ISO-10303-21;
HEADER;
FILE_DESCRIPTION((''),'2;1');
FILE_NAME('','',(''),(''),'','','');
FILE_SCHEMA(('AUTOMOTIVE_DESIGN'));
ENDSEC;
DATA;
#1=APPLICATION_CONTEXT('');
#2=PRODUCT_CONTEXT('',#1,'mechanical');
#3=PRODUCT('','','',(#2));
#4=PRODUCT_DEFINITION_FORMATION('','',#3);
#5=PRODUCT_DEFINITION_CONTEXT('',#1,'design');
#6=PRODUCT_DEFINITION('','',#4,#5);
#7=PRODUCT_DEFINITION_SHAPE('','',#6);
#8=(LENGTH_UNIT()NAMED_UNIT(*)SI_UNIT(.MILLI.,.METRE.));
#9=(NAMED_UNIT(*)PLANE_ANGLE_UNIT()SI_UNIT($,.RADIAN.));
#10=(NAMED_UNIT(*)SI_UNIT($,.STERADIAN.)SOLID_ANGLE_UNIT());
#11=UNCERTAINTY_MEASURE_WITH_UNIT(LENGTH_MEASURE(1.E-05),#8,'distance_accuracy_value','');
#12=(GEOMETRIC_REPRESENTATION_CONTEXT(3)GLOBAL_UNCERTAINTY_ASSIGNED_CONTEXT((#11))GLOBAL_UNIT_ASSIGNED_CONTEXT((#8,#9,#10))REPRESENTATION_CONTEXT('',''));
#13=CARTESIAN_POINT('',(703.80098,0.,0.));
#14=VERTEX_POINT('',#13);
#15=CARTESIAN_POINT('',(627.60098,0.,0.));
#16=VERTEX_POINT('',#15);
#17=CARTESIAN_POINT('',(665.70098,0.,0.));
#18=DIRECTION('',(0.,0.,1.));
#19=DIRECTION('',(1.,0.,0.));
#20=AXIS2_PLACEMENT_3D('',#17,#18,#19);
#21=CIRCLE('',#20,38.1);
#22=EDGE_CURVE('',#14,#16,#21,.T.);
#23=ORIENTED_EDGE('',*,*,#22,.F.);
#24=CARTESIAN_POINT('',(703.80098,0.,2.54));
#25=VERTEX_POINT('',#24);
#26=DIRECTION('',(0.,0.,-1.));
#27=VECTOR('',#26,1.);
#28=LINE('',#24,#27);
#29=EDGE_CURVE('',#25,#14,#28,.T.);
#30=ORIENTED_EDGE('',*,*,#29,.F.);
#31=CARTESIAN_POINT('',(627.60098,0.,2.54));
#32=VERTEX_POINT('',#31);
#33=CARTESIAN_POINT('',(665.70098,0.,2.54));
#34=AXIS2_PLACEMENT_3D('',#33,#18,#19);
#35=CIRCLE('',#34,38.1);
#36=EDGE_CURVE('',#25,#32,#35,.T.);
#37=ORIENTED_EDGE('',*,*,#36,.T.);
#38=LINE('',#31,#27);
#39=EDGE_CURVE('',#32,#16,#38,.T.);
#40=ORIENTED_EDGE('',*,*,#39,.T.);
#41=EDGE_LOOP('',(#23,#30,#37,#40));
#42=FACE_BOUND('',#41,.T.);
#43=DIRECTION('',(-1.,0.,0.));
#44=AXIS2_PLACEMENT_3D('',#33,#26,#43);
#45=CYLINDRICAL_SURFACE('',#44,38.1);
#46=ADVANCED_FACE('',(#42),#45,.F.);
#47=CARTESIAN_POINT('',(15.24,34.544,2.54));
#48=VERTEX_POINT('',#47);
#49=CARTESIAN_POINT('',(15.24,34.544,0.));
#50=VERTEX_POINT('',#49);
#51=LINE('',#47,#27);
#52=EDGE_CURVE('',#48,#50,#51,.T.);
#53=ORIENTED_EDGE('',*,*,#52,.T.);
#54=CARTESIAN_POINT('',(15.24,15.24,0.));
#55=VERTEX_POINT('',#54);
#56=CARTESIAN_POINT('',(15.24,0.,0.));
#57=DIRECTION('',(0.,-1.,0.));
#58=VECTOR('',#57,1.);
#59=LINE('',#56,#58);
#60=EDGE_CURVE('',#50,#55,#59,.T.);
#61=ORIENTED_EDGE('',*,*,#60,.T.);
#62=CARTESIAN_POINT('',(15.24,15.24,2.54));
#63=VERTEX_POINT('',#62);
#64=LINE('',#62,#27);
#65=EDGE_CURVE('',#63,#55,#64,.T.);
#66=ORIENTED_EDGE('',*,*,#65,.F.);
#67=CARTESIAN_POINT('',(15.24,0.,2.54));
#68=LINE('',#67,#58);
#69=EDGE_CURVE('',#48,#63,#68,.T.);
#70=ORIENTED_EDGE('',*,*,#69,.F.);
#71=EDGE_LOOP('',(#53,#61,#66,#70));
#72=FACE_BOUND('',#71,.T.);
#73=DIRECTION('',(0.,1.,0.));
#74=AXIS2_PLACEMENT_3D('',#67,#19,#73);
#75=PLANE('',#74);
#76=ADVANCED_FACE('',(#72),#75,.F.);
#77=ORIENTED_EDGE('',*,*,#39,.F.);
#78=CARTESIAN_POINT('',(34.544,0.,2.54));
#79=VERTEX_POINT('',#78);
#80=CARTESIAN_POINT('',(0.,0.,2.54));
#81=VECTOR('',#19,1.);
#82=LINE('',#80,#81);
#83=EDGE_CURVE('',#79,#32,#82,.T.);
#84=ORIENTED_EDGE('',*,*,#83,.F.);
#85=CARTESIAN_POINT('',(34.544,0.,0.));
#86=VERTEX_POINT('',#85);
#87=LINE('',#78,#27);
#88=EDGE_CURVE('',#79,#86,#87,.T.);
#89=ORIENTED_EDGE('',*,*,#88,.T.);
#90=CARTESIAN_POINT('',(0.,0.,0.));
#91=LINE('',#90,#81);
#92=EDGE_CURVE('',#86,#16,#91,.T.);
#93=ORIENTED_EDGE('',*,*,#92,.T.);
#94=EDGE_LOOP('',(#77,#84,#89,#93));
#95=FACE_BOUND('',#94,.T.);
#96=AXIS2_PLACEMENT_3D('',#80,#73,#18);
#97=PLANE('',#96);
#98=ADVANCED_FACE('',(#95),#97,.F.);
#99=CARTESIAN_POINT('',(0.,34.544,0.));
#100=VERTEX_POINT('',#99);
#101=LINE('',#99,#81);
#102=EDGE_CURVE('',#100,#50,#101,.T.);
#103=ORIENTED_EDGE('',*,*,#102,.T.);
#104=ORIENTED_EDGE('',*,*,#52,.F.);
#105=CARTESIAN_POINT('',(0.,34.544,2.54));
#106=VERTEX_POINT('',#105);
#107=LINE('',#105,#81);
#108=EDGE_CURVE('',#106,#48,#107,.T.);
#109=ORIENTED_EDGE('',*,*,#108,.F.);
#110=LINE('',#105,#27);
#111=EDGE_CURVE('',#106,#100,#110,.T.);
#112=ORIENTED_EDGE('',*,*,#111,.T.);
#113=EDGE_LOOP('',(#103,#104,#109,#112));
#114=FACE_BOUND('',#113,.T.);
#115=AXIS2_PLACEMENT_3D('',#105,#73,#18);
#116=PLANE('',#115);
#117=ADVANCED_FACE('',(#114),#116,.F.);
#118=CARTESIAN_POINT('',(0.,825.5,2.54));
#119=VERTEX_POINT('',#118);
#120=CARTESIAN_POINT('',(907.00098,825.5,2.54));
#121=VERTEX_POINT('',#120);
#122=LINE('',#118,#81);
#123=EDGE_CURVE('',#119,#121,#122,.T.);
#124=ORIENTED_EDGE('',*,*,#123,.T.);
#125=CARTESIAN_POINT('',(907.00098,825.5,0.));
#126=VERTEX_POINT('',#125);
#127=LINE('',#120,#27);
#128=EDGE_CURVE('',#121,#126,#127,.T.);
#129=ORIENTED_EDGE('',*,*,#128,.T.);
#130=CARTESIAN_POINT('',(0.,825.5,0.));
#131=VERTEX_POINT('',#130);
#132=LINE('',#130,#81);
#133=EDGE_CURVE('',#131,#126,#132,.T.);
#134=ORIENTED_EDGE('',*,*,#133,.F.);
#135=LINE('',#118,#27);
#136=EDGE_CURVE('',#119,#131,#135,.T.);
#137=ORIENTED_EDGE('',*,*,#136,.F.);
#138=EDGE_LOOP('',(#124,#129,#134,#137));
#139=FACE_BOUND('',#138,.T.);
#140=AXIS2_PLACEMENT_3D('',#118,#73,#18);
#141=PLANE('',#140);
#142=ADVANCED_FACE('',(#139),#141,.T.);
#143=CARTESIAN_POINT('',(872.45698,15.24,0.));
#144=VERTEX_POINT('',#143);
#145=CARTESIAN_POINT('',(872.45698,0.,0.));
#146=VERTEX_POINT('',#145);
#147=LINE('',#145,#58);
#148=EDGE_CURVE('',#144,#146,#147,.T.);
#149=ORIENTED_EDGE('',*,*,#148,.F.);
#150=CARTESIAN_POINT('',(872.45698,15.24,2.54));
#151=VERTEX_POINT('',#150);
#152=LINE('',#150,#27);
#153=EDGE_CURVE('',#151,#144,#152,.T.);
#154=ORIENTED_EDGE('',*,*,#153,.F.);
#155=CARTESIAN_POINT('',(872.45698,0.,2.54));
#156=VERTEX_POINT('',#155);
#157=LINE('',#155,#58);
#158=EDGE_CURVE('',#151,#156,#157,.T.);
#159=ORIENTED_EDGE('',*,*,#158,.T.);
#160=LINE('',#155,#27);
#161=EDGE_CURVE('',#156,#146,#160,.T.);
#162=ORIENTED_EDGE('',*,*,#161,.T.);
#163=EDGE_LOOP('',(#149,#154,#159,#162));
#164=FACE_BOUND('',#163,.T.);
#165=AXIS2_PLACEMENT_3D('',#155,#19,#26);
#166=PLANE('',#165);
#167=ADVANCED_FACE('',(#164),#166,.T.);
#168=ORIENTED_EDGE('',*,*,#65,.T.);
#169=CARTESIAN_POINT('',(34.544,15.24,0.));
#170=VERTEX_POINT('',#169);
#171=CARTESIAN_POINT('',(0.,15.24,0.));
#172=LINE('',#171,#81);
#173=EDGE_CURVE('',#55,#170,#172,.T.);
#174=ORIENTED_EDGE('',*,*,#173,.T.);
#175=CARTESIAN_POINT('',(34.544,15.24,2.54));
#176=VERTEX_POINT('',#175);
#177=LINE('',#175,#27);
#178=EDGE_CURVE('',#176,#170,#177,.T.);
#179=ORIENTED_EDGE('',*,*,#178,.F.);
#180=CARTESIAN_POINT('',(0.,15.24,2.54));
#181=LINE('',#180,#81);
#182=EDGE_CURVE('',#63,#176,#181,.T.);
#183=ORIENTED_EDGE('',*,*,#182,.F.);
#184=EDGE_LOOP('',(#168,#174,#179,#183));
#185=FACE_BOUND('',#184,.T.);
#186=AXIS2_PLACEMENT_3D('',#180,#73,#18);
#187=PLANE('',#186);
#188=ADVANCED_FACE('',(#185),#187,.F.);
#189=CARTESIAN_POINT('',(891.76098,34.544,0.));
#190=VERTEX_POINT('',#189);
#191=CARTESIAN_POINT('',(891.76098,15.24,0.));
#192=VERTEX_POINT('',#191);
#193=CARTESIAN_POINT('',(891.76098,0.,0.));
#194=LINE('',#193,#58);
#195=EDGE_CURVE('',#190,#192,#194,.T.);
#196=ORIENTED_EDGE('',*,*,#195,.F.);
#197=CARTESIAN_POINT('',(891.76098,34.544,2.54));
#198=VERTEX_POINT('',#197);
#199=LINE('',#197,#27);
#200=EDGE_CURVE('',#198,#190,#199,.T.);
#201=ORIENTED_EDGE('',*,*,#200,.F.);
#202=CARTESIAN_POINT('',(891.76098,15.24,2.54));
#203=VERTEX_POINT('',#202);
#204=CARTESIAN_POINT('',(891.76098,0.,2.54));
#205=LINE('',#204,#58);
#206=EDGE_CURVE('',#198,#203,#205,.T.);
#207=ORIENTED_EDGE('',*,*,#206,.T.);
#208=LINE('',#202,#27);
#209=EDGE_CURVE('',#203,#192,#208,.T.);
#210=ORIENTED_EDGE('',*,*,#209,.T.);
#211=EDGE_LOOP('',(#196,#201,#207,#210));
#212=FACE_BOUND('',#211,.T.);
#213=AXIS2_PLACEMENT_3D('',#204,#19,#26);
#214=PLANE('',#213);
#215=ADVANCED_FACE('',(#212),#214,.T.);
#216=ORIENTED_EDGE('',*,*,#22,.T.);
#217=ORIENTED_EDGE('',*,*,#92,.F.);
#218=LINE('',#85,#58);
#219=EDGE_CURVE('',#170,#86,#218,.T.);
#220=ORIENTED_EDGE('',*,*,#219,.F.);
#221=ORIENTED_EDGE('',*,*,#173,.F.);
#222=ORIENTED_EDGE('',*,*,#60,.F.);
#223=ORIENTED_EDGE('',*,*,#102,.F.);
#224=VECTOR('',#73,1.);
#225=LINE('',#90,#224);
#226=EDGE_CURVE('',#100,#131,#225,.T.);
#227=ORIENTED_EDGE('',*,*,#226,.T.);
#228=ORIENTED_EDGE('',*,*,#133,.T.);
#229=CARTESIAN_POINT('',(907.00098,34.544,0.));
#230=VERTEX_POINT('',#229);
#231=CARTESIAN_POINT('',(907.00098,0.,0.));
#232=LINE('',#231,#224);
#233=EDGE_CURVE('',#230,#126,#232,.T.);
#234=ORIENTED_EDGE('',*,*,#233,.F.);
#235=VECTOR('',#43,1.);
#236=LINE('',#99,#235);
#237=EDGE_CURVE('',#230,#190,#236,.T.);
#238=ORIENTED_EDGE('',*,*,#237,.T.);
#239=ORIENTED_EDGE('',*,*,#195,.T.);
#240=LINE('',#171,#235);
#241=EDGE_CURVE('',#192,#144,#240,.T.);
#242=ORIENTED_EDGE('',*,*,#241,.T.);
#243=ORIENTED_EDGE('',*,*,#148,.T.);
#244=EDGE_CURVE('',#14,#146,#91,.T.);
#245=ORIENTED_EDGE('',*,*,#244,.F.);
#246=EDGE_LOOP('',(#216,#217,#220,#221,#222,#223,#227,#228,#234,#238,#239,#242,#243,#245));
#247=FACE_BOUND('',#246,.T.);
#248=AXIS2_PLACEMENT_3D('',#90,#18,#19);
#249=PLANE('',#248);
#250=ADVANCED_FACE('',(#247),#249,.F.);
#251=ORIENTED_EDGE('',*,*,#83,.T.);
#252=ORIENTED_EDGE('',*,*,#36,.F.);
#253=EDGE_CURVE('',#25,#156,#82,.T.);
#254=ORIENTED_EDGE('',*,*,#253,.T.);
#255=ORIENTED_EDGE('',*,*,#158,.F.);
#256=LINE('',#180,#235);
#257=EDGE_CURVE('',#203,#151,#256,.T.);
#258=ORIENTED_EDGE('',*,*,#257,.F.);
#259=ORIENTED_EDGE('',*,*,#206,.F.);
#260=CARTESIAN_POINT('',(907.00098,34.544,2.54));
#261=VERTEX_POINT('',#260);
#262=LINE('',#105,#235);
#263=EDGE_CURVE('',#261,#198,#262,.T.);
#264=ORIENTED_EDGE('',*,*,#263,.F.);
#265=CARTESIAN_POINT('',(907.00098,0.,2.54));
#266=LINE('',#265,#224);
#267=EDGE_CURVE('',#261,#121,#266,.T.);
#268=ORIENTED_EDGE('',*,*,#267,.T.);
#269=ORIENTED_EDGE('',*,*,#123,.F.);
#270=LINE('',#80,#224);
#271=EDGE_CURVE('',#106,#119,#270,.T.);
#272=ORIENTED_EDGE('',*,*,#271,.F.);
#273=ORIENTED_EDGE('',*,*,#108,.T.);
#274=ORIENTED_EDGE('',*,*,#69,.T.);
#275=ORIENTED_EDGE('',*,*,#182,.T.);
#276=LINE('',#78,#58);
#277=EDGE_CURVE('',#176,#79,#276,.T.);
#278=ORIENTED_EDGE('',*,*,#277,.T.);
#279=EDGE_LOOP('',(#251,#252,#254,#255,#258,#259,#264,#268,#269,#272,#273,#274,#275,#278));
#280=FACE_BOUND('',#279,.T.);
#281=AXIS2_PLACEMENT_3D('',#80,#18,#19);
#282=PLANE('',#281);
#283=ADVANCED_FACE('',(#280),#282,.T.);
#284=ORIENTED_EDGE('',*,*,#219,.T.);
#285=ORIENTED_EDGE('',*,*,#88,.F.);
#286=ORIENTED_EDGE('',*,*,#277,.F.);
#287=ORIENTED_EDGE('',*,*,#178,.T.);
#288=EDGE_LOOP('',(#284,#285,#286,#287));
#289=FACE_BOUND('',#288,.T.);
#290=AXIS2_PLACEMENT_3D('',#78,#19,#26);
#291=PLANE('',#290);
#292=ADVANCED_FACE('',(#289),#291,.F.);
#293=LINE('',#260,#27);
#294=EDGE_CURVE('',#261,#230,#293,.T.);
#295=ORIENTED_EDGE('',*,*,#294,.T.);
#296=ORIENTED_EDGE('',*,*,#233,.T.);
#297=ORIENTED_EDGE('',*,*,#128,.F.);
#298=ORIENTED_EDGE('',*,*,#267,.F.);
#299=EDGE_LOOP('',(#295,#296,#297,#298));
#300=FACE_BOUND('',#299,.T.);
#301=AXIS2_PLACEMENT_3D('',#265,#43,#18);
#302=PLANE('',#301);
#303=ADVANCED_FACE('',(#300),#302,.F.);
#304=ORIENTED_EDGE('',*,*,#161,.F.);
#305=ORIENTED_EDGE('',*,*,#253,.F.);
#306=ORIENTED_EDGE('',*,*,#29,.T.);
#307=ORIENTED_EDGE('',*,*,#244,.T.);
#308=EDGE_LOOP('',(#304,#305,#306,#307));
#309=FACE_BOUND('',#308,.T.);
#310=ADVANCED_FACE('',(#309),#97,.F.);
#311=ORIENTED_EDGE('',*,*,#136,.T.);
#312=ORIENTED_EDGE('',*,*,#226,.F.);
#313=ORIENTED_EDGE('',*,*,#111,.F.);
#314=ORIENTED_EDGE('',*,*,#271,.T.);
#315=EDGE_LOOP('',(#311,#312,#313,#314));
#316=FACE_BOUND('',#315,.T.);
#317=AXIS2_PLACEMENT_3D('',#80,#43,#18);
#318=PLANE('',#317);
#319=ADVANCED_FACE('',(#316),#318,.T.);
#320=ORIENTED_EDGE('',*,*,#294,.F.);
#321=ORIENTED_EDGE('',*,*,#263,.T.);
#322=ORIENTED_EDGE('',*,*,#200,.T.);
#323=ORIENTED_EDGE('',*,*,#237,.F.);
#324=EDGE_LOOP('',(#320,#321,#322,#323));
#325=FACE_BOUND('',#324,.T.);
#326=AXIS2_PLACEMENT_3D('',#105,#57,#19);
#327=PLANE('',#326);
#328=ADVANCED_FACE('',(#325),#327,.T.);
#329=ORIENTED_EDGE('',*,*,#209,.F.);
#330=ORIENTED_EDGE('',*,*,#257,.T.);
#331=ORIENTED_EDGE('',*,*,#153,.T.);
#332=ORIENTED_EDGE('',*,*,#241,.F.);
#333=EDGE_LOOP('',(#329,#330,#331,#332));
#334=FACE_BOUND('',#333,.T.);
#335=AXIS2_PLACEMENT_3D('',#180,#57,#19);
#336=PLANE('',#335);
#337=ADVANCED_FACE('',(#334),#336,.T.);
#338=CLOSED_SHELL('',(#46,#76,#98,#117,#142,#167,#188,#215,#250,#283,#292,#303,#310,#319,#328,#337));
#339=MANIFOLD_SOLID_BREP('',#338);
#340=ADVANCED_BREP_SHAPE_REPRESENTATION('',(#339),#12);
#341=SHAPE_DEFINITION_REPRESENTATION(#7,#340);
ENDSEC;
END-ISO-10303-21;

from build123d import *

# Parameters (mm, degrees)
BOSS_EXTRUDE1_DEPTH = 2.54


with BuildPart() as part:
    # Sketch1 → Boss-Extrude1 (new body)
    with BuildSketch(Plane.XY):
        with BuildLine():
            Line((0, 825.5), (0, 34.544))
            Line((0, 34.544), (15.24, 34.544))
            Line((15.24, 34.544), (15.24, 15.24))
            Line((15.24, 15.24), (34.544, 15.24))
            Line((34.544, 15.24), (34.544, 0))
            Line((34.544, 0), (627.60098, 0))
            ThreePointArc((627.60098, 0), (665.70098, 38.1), (703.80098, 0))
            Line((703.80098, 0), (872.45698, 0))
            Line((872.45698, 0), (872.45698, 15.24))
            Line((872.45698, 15.24), (891.76098, 15.24))
            Line((891.76098, 15.24), (891.76098, 34.544))
            Line((891.76098, 34.544), (907.00098, 34.544))
            Line((907.00098, 34.544), (907.00098, 825.5))
            Line((907.00098, 825.5), (0, 825.5))
        make_face()
    extrude(amount=BOSS_EXTRUDE1_DEPTH)


solid = part.part
